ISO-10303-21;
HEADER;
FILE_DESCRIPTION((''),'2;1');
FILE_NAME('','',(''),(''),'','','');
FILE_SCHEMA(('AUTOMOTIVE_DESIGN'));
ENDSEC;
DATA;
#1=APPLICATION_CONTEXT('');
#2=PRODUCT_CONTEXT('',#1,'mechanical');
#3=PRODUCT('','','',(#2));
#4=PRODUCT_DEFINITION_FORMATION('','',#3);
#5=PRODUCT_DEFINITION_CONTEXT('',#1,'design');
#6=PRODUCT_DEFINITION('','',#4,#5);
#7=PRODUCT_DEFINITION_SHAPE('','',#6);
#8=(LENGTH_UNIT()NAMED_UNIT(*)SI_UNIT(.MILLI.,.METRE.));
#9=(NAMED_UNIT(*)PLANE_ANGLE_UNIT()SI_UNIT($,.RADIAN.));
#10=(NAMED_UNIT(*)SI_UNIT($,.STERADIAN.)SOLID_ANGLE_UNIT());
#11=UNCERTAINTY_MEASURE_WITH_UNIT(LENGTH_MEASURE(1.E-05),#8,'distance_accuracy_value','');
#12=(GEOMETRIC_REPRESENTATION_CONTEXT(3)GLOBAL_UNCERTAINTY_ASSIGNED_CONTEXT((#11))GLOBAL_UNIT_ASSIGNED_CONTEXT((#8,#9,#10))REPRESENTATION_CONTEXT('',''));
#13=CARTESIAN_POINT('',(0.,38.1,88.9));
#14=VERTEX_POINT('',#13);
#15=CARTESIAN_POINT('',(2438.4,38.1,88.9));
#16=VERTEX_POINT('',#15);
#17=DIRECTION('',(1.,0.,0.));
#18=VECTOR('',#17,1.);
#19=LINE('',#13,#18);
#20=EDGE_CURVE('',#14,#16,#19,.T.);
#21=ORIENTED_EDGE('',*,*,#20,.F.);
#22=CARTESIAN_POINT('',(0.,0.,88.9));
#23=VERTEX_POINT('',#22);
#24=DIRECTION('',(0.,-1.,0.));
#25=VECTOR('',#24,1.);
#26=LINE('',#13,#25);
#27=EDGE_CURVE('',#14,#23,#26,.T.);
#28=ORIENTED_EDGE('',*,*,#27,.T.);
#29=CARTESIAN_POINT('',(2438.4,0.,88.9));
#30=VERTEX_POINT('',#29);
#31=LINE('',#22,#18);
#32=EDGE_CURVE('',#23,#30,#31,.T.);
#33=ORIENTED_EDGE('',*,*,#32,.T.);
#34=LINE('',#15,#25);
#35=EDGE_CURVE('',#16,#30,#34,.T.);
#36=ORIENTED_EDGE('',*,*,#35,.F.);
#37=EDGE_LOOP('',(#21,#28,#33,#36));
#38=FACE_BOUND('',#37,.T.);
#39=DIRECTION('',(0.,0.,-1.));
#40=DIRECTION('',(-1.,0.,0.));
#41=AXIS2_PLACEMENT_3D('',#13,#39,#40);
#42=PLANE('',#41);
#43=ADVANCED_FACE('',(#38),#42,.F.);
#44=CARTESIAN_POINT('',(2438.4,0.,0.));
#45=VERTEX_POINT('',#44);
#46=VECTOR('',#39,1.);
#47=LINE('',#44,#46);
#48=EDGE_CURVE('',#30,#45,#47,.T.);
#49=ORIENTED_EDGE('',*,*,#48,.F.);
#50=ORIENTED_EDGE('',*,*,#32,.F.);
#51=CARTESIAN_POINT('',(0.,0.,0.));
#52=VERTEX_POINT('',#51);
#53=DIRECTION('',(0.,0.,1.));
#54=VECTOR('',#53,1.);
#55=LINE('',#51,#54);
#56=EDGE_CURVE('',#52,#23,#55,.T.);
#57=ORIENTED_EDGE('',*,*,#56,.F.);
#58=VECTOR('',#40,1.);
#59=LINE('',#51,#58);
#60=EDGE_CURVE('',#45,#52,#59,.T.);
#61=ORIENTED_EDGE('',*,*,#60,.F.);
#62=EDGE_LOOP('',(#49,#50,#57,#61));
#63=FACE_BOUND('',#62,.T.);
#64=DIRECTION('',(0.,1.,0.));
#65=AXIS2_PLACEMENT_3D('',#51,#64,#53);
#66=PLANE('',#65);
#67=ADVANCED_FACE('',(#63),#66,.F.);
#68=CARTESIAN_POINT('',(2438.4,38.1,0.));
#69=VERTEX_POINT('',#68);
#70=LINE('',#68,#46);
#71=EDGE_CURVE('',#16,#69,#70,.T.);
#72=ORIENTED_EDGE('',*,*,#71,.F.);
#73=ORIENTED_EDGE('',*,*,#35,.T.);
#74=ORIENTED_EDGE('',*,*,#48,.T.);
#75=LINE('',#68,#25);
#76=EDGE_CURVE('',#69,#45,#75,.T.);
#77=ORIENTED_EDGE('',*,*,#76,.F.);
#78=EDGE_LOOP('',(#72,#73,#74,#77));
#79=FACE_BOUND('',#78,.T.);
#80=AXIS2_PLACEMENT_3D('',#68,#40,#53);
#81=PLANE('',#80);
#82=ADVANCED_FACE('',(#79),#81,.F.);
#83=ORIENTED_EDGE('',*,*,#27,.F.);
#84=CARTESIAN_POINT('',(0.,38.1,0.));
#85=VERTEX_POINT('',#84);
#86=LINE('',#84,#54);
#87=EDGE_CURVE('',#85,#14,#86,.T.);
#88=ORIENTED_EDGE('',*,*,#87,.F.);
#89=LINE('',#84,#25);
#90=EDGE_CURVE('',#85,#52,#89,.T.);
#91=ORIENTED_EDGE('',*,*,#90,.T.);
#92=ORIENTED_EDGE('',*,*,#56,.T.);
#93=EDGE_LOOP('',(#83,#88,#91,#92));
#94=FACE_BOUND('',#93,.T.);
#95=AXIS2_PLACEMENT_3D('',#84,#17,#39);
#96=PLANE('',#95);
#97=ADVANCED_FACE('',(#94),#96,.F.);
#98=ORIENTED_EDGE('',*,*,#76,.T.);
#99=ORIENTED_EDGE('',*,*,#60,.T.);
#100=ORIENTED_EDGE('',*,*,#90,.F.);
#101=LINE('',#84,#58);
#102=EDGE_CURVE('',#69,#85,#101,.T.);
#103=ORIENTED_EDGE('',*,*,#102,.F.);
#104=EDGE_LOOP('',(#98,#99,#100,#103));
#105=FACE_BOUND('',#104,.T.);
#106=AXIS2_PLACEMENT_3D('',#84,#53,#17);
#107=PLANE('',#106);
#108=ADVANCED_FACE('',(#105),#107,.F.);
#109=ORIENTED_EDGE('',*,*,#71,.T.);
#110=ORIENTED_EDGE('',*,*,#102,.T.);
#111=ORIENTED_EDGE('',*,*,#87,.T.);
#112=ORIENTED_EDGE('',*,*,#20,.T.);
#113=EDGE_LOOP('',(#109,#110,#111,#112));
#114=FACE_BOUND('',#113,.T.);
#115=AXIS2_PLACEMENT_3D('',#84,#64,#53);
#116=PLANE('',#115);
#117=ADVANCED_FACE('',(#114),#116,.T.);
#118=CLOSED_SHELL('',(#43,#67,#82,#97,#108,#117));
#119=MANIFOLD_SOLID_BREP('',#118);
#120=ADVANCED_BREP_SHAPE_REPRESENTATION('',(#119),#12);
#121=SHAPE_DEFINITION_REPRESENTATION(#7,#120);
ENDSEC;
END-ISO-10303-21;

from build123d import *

# Parameters (mm, degrees)
SKETCH1_W           = 2438.4
SKETCH1_H           = 88.9
BOSS_EXTRUDE1_DEPTH = 38.1


with BuildPart() as part:
    # Sketch1 → Boss-Extrude1 (new body)
    with BuildSketch(Plane(origin=(0, 0, 0), x_dir=(1, 0, 0), z_dir=(0, 1, 0))):
        with Locations((1219.2, -44.45)):
            Rectangle(SKETCH1_W, SKETCH1_H)
    extrude(amount=BOSS_EXTRUDE1_DEPTH)


solid = part.part
